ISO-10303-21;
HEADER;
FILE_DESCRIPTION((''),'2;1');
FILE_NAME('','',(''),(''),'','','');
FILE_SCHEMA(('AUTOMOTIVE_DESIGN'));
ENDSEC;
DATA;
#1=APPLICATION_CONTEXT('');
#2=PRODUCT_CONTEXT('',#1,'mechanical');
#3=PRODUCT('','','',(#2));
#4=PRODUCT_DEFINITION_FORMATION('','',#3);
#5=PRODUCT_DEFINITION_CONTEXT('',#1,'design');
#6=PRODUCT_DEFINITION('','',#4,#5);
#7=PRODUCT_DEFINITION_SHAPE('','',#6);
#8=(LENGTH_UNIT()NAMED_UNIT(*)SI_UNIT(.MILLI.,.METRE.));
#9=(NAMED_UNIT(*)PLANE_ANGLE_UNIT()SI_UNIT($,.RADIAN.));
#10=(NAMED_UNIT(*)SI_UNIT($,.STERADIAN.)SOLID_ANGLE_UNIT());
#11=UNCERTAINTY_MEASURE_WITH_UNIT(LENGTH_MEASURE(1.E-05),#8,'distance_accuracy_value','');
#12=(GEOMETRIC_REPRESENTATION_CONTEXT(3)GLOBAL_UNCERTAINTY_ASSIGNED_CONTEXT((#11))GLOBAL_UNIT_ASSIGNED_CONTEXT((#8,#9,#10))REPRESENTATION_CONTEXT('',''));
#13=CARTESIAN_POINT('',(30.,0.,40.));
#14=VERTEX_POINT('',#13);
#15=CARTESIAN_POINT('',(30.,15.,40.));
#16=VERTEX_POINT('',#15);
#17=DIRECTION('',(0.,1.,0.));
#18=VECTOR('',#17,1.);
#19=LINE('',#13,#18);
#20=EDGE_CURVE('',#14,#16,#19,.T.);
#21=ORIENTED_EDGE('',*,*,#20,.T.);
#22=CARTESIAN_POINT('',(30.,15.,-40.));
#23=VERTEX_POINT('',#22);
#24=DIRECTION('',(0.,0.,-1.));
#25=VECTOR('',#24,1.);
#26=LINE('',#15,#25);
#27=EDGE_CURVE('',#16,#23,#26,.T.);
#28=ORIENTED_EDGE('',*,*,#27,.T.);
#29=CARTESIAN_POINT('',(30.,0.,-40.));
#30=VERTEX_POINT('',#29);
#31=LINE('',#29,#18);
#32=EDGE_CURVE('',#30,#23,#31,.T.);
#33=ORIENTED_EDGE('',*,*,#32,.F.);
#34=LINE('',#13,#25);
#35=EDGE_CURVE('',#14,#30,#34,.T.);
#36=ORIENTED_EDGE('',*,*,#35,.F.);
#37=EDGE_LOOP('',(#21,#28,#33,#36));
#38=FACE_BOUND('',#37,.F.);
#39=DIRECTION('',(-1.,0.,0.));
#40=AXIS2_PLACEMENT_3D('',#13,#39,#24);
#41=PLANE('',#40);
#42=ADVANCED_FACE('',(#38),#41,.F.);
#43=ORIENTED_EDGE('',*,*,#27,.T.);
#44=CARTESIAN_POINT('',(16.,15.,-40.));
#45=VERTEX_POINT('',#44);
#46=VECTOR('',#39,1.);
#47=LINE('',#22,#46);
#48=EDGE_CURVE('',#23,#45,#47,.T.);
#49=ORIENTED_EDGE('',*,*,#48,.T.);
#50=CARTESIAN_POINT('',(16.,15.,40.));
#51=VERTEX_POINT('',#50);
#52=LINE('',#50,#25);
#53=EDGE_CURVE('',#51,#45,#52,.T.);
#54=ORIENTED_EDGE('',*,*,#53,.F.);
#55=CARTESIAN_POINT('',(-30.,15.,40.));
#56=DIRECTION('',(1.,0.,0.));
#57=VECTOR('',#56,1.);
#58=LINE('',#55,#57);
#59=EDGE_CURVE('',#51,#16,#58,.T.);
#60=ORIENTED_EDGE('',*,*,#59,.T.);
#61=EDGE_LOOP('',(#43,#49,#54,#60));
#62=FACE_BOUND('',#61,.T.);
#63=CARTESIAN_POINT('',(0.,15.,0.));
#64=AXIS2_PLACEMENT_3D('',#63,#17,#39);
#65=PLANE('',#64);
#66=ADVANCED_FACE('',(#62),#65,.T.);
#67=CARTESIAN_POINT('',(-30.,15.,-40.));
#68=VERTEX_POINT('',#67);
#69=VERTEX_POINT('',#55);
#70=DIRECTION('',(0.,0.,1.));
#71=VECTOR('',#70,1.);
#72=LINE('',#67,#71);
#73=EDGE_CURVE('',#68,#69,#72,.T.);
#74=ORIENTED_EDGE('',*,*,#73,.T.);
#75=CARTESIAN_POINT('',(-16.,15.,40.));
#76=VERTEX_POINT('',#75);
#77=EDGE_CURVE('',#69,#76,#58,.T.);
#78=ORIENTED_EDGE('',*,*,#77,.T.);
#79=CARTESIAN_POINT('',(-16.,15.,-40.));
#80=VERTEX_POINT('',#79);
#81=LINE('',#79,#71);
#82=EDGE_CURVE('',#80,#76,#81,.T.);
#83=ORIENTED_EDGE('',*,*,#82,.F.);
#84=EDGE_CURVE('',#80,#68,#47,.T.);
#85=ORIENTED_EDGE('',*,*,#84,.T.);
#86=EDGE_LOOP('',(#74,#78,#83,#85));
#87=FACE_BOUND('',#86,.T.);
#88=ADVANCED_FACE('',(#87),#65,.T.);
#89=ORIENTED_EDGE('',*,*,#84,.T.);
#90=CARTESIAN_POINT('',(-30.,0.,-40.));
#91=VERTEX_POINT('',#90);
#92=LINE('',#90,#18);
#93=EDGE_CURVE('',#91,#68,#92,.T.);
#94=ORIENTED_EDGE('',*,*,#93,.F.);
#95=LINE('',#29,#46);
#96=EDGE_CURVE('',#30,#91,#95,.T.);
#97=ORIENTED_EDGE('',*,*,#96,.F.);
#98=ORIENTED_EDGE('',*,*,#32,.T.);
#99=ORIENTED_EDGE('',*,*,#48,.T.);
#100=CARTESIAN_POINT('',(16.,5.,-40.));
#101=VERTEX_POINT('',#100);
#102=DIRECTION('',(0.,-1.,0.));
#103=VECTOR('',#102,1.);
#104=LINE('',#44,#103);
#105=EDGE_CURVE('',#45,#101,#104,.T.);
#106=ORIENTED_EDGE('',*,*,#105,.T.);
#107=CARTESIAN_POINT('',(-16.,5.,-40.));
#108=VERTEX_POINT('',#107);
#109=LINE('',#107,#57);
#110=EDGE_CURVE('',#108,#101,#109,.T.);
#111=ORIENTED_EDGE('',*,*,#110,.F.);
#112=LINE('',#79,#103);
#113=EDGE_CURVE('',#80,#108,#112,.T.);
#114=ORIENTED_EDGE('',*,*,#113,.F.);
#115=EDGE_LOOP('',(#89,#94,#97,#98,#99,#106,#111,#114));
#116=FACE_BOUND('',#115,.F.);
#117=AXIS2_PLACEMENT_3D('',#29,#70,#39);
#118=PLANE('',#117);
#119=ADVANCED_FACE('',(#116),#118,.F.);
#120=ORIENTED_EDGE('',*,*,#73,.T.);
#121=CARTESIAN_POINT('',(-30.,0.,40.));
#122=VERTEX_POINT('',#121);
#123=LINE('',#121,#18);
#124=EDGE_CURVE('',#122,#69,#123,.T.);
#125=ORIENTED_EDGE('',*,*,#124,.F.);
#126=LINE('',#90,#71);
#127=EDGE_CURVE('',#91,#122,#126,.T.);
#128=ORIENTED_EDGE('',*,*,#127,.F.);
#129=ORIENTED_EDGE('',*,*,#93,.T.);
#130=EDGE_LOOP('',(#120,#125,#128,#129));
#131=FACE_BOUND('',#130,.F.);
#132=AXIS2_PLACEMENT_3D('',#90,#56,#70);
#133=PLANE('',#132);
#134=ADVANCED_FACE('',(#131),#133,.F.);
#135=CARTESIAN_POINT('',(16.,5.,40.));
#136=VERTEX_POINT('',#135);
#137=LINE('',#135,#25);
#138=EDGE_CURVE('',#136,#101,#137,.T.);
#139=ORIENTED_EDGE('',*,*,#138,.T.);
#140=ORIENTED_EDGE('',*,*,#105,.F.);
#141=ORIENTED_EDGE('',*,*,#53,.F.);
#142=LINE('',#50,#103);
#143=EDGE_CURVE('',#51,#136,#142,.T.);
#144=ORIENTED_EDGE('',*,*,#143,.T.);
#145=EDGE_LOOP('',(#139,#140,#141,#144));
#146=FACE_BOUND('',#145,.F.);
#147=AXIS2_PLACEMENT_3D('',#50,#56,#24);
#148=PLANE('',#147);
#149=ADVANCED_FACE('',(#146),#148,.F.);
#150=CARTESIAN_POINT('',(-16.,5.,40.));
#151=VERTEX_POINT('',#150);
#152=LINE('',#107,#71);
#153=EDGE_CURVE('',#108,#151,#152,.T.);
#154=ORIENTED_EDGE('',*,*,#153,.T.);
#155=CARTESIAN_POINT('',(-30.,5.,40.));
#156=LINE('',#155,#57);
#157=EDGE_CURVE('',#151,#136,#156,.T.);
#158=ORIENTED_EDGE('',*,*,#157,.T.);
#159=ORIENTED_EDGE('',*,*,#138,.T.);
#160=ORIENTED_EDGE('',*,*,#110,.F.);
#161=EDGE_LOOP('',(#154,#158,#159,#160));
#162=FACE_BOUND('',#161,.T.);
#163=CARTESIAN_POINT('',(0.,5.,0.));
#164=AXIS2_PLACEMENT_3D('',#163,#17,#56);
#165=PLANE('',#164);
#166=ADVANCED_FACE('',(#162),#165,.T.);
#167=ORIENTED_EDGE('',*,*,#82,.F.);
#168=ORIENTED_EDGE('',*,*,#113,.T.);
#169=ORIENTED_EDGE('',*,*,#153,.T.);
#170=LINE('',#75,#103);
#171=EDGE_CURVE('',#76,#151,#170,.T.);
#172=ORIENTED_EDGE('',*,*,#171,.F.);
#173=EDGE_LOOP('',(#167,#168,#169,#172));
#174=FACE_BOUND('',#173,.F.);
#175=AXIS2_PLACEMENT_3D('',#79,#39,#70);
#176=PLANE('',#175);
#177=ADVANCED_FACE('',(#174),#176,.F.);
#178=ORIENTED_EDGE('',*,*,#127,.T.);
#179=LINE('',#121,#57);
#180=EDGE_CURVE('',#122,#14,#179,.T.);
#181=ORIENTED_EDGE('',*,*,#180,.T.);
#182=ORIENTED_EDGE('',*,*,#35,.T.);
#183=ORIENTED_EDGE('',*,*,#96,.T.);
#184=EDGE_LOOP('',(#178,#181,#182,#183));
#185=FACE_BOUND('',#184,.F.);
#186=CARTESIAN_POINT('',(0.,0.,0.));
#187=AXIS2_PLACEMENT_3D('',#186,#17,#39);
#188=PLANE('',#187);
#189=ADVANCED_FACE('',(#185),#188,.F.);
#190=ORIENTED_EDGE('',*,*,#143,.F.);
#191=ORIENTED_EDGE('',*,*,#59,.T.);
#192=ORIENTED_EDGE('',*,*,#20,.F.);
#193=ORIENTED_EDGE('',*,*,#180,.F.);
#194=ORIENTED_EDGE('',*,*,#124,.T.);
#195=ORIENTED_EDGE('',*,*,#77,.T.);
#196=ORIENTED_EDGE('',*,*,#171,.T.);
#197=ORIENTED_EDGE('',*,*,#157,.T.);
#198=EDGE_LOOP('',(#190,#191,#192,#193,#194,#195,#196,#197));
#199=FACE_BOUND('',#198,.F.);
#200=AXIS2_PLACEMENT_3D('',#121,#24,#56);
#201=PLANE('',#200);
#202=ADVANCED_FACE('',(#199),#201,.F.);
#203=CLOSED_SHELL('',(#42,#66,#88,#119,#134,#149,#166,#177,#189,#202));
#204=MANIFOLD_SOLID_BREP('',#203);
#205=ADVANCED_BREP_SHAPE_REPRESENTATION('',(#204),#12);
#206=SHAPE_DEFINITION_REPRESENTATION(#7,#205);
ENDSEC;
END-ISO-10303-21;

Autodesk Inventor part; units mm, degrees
ref_plane "YZ Plane" through (0, 0, 0) normal (1, 0, 0) x (0, 1, 0)
ref_plane "XZ Plane" through (0, 0, 0) normal (0, 1, 0) x (-1, 0, 0)
ref_plane "XY Plane" through (0, 0, 0) normal (0, 0, 1) x (1, 0, 0)
sketch "Sketch1" plane through (0, 0, 0) normal (0, 1, 0) x (-1, 0, 0)
  line L0 (30, 40) -> (-30, 40)
  line L1 (-30, 40) -> (-30, -40)
  line L2 (-30, -40) -> (30, -40)
  line L3 (30, -40) -> (30, 40)
  line L4 (30, 40) -> (-30, -40) construction
  line L5 (-30, 40) -> (30, -40) construction
  point P0 (0, 0)
  dimension "d0" = 60
  dimension "d1" = 80
extrude "Extrusion1" add sketch "Sketch1" along normal blind 15
sketch "Sketch2" plane through (0, 15, 0) normal (0, 1, 0) x (1, 0, 0)
  line L0 (30, 40) -> (-30, 40) projected
  line L1 (0, 40) -> (16, 40)
  line L2 (-30, -40) -> (30, -40) projected
  line L3 (16, 40) -> (-16, 40)
  line L4 (-16, 40) -> (-16, -40)
  line L5 (-16, -40) -> (16, -40)
  line L6 (16, -40) -> (16, 40)
  point P0 (0, 0)
  dimension "d4" = 16
  dimension "d5" = 32
extrude "Extrusion2" cut sketch "Sketch2" against normal blind 10
properties part number "SP51V1 Cuerpo Freno"
